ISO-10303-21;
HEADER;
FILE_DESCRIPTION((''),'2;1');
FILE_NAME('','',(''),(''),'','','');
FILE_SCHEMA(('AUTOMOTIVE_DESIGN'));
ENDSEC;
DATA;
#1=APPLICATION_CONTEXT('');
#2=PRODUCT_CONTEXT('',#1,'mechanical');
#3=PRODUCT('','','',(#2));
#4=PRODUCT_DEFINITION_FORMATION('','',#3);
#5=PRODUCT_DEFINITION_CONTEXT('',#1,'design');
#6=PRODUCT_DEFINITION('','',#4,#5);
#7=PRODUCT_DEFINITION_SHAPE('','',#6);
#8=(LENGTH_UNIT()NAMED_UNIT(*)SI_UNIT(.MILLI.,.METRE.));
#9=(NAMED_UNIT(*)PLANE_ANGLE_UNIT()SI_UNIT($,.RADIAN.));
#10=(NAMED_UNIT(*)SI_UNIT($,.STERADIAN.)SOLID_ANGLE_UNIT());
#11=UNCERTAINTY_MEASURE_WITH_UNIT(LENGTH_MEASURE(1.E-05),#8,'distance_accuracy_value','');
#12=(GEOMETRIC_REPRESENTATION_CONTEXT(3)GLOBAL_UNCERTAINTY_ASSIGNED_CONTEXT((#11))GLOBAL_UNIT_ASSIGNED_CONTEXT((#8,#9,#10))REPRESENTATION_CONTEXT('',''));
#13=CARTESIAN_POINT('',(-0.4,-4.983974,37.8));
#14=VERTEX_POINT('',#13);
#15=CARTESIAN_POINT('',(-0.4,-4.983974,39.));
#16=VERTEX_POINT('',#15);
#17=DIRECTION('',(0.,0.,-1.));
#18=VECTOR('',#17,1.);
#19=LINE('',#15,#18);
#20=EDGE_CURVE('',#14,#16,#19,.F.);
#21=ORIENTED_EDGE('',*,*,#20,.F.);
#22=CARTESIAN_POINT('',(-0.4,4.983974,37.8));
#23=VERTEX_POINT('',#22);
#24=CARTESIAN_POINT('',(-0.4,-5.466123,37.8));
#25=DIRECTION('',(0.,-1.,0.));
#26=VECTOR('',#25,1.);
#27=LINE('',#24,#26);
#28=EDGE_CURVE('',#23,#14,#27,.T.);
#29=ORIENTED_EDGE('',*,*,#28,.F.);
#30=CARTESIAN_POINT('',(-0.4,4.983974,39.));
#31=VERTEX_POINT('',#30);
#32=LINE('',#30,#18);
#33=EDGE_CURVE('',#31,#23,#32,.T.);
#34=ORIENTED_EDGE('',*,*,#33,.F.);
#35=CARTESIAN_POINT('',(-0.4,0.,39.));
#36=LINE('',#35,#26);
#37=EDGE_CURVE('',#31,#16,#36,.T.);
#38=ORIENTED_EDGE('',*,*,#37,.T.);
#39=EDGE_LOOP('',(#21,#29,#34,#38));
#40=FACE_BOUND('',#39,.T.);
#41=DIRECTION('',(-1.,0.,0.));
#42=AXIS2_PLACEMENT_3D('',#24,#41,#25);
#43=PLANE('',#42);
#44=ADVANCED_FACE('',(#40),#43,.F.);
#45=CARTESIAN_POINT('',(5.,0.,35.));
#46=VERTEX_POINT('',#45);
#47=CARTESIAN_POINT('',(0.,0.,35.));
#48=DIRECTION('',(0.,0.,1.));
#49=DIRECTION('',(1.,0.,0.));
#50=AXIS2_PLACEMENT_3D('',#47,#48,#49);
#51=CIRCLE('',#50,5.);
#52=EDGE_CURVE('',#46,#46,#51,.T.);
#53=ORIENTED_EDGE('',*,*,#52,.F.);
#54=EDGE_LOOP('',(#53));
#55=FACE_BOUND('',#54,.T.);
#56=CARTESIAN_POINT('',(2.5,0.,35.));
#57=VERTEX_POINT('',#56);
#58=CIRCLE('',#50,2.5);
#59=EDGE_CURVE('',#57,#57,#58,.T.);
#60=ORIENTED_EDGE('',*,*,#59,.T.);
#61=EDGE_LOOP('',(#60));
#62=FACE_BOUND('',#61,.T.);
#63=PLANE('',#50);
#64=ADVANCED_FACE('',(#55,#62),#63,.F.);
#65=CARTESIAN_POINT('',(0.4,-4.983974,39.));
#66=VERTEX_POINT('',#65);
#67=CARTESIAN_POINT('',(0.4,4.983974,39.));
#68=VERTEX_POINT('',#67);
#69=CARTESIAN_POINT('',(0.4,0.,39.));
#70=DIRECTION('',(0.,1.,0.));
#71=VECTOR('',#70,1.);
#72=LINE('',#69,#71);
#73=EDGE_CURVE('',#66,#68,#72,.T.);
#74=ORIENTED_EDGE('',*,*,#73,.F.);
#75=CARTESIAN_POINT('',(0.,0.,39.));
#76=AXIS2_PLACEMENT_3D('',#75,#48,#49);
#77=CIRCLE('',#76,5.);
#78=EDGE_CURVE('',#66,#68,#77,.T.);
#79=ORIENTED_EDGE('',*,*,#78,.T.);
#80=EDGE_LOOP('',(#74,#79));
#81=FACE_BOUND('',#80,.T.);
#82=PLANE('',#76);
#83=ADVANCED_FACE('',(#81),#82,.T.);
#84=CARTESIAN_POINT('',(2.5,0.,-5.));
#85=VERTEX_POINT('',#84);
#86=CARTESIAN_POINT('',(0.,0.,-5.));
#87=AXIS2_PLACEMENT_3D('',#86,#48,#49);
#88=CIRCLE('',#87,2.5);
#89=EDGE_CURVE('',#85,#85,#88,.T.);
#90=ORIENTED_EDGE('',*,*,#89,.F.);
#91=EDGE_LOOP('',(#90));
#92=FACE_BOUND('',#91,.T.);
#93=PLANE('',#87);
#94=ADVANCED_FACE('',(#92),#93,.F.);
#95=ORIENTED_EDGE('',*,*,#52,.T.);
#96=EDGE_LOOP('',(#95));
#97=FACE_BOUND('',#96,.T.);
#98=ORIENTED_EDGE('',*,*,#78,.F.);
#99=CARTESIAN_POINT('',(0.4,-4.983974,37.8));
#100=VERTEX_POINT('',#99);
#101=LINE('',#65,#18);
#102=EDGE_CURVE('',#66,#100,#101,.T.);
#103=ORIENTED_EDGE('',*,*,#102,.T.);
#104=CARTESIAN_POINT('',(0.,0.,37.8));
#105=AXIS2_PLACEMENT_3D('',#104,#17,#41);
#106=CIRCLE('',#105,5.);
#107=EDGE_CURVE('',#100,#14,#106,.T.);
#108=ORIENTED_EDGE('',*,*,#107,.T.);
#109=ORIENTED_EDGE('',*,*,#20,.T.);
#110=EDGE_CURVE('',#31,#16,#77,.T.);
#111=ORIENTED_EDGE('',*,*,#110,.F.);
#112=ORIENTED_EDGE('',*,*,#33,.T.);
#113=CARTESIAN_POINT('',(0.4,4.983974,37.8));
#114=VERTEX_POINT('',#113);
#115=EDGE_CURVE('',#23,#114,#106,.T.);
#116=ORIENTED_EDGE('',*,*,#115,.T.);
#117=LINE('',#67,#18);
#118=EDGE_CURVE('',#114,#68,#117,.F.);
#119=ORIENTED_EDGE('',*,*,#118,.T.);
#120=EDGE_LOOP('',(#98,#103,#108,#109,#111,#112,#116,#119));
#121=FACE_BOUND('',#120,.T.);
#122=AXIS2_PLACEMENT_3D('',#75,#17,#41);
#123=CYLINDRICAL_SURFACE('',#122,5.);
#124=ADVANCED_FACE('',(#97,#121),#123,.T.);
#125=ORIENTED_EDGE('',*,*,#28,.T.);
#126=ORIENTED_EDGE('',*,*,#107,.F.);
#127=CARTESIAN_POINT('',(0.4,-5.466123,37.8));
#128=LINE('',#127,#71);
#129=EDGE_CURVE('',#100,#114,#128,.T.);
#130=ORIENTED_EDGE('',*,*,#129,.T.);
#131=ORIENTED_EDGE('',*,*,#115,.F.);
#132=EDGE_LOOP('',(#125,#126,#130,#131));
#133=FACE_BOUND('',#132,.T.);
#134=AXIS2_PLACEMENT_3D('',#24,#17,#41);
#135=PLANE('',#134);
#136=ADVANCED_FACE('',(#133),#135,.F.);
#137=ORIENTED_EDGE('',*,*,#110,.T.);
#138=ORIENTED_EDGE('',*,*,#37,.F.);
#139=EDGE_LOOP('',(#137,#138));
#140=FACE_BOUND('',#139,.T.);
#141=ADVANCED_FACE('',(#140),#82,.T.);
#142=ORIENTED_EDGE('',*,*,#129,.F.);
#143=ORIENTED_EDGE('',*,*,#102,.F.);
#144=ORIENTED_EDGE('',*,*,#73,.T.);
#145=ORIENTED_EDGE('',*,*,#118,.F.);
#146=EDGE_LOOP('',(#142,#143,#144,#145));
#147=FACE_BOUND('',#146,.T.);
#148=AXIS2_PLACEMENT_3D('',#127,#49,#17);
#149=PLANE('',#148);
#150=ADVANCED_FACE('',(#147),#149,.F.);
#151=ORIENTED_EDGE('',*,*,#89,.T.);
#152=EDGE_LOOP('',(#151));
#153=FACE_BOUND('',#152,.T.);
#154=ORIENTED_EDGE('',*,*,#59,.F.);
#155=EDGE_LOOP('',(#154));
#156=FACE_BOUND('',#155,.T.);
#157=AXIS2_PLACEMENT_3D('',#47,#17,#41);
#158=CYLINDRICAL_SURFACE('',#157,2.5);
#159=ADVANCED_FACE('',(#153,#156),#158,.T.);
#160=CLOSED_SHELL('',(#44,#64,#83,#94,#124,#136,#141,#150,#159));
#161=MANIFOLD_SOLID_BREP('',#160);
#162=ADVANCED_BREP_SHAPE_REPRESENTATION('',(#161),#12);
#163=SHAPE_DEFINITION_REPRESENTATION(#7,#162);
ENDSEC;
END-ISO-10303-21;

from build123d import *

# Parameters (mm, degrees)
EXTRUDE_1_DEPTH      = 35
EXTRUDE_1_DEPTH_BACK = 5
SKETCH_1_R           = 2.5
SKETCH_2_R           = 5
EXTRUDE_2_DEPTH      = 4
SKETCH_3_W           = 0.8
SKETCH_3_H           = 11.021006482
CUT_EXTRUDE_1_DEPTH  = 1.2


with BuildPart() as part:
    # Эскиз1 → Вытянуть1 (new, two sides: drawn at the far end of the back side and taken through both)
    with BuildSketch(Plane.XY.offset(-EXTRUDE_1_DEPTH_BACK)):
        Circle(SKETCH_1_R)
    extrude(amount=EXTRUDE_1_DEPTH + EXTRUDE_1_DEPTH_BACK)

    # Эскиз2 → Вытянуть2 (add)
    with BuildSketch(Plane.XY.offset(35)):
        Circle(SKETCH_2_R)
    extrude(amount=EXTRUDE_2_DEPTH)

    # Эскиз3 → Вырез-Вытянуть1 (cut)
    with BuildSketch(Plane.XY.offset(39)):
        with Locations((0, 0.044379892)):
            Rectangle(SKETCH_3_W, SKETCH_3_H)
    extrude(amount=-CUT_EXTRUDE_1_DEPTH, mode=Mode.SUBTRACT)


solid = part.part
